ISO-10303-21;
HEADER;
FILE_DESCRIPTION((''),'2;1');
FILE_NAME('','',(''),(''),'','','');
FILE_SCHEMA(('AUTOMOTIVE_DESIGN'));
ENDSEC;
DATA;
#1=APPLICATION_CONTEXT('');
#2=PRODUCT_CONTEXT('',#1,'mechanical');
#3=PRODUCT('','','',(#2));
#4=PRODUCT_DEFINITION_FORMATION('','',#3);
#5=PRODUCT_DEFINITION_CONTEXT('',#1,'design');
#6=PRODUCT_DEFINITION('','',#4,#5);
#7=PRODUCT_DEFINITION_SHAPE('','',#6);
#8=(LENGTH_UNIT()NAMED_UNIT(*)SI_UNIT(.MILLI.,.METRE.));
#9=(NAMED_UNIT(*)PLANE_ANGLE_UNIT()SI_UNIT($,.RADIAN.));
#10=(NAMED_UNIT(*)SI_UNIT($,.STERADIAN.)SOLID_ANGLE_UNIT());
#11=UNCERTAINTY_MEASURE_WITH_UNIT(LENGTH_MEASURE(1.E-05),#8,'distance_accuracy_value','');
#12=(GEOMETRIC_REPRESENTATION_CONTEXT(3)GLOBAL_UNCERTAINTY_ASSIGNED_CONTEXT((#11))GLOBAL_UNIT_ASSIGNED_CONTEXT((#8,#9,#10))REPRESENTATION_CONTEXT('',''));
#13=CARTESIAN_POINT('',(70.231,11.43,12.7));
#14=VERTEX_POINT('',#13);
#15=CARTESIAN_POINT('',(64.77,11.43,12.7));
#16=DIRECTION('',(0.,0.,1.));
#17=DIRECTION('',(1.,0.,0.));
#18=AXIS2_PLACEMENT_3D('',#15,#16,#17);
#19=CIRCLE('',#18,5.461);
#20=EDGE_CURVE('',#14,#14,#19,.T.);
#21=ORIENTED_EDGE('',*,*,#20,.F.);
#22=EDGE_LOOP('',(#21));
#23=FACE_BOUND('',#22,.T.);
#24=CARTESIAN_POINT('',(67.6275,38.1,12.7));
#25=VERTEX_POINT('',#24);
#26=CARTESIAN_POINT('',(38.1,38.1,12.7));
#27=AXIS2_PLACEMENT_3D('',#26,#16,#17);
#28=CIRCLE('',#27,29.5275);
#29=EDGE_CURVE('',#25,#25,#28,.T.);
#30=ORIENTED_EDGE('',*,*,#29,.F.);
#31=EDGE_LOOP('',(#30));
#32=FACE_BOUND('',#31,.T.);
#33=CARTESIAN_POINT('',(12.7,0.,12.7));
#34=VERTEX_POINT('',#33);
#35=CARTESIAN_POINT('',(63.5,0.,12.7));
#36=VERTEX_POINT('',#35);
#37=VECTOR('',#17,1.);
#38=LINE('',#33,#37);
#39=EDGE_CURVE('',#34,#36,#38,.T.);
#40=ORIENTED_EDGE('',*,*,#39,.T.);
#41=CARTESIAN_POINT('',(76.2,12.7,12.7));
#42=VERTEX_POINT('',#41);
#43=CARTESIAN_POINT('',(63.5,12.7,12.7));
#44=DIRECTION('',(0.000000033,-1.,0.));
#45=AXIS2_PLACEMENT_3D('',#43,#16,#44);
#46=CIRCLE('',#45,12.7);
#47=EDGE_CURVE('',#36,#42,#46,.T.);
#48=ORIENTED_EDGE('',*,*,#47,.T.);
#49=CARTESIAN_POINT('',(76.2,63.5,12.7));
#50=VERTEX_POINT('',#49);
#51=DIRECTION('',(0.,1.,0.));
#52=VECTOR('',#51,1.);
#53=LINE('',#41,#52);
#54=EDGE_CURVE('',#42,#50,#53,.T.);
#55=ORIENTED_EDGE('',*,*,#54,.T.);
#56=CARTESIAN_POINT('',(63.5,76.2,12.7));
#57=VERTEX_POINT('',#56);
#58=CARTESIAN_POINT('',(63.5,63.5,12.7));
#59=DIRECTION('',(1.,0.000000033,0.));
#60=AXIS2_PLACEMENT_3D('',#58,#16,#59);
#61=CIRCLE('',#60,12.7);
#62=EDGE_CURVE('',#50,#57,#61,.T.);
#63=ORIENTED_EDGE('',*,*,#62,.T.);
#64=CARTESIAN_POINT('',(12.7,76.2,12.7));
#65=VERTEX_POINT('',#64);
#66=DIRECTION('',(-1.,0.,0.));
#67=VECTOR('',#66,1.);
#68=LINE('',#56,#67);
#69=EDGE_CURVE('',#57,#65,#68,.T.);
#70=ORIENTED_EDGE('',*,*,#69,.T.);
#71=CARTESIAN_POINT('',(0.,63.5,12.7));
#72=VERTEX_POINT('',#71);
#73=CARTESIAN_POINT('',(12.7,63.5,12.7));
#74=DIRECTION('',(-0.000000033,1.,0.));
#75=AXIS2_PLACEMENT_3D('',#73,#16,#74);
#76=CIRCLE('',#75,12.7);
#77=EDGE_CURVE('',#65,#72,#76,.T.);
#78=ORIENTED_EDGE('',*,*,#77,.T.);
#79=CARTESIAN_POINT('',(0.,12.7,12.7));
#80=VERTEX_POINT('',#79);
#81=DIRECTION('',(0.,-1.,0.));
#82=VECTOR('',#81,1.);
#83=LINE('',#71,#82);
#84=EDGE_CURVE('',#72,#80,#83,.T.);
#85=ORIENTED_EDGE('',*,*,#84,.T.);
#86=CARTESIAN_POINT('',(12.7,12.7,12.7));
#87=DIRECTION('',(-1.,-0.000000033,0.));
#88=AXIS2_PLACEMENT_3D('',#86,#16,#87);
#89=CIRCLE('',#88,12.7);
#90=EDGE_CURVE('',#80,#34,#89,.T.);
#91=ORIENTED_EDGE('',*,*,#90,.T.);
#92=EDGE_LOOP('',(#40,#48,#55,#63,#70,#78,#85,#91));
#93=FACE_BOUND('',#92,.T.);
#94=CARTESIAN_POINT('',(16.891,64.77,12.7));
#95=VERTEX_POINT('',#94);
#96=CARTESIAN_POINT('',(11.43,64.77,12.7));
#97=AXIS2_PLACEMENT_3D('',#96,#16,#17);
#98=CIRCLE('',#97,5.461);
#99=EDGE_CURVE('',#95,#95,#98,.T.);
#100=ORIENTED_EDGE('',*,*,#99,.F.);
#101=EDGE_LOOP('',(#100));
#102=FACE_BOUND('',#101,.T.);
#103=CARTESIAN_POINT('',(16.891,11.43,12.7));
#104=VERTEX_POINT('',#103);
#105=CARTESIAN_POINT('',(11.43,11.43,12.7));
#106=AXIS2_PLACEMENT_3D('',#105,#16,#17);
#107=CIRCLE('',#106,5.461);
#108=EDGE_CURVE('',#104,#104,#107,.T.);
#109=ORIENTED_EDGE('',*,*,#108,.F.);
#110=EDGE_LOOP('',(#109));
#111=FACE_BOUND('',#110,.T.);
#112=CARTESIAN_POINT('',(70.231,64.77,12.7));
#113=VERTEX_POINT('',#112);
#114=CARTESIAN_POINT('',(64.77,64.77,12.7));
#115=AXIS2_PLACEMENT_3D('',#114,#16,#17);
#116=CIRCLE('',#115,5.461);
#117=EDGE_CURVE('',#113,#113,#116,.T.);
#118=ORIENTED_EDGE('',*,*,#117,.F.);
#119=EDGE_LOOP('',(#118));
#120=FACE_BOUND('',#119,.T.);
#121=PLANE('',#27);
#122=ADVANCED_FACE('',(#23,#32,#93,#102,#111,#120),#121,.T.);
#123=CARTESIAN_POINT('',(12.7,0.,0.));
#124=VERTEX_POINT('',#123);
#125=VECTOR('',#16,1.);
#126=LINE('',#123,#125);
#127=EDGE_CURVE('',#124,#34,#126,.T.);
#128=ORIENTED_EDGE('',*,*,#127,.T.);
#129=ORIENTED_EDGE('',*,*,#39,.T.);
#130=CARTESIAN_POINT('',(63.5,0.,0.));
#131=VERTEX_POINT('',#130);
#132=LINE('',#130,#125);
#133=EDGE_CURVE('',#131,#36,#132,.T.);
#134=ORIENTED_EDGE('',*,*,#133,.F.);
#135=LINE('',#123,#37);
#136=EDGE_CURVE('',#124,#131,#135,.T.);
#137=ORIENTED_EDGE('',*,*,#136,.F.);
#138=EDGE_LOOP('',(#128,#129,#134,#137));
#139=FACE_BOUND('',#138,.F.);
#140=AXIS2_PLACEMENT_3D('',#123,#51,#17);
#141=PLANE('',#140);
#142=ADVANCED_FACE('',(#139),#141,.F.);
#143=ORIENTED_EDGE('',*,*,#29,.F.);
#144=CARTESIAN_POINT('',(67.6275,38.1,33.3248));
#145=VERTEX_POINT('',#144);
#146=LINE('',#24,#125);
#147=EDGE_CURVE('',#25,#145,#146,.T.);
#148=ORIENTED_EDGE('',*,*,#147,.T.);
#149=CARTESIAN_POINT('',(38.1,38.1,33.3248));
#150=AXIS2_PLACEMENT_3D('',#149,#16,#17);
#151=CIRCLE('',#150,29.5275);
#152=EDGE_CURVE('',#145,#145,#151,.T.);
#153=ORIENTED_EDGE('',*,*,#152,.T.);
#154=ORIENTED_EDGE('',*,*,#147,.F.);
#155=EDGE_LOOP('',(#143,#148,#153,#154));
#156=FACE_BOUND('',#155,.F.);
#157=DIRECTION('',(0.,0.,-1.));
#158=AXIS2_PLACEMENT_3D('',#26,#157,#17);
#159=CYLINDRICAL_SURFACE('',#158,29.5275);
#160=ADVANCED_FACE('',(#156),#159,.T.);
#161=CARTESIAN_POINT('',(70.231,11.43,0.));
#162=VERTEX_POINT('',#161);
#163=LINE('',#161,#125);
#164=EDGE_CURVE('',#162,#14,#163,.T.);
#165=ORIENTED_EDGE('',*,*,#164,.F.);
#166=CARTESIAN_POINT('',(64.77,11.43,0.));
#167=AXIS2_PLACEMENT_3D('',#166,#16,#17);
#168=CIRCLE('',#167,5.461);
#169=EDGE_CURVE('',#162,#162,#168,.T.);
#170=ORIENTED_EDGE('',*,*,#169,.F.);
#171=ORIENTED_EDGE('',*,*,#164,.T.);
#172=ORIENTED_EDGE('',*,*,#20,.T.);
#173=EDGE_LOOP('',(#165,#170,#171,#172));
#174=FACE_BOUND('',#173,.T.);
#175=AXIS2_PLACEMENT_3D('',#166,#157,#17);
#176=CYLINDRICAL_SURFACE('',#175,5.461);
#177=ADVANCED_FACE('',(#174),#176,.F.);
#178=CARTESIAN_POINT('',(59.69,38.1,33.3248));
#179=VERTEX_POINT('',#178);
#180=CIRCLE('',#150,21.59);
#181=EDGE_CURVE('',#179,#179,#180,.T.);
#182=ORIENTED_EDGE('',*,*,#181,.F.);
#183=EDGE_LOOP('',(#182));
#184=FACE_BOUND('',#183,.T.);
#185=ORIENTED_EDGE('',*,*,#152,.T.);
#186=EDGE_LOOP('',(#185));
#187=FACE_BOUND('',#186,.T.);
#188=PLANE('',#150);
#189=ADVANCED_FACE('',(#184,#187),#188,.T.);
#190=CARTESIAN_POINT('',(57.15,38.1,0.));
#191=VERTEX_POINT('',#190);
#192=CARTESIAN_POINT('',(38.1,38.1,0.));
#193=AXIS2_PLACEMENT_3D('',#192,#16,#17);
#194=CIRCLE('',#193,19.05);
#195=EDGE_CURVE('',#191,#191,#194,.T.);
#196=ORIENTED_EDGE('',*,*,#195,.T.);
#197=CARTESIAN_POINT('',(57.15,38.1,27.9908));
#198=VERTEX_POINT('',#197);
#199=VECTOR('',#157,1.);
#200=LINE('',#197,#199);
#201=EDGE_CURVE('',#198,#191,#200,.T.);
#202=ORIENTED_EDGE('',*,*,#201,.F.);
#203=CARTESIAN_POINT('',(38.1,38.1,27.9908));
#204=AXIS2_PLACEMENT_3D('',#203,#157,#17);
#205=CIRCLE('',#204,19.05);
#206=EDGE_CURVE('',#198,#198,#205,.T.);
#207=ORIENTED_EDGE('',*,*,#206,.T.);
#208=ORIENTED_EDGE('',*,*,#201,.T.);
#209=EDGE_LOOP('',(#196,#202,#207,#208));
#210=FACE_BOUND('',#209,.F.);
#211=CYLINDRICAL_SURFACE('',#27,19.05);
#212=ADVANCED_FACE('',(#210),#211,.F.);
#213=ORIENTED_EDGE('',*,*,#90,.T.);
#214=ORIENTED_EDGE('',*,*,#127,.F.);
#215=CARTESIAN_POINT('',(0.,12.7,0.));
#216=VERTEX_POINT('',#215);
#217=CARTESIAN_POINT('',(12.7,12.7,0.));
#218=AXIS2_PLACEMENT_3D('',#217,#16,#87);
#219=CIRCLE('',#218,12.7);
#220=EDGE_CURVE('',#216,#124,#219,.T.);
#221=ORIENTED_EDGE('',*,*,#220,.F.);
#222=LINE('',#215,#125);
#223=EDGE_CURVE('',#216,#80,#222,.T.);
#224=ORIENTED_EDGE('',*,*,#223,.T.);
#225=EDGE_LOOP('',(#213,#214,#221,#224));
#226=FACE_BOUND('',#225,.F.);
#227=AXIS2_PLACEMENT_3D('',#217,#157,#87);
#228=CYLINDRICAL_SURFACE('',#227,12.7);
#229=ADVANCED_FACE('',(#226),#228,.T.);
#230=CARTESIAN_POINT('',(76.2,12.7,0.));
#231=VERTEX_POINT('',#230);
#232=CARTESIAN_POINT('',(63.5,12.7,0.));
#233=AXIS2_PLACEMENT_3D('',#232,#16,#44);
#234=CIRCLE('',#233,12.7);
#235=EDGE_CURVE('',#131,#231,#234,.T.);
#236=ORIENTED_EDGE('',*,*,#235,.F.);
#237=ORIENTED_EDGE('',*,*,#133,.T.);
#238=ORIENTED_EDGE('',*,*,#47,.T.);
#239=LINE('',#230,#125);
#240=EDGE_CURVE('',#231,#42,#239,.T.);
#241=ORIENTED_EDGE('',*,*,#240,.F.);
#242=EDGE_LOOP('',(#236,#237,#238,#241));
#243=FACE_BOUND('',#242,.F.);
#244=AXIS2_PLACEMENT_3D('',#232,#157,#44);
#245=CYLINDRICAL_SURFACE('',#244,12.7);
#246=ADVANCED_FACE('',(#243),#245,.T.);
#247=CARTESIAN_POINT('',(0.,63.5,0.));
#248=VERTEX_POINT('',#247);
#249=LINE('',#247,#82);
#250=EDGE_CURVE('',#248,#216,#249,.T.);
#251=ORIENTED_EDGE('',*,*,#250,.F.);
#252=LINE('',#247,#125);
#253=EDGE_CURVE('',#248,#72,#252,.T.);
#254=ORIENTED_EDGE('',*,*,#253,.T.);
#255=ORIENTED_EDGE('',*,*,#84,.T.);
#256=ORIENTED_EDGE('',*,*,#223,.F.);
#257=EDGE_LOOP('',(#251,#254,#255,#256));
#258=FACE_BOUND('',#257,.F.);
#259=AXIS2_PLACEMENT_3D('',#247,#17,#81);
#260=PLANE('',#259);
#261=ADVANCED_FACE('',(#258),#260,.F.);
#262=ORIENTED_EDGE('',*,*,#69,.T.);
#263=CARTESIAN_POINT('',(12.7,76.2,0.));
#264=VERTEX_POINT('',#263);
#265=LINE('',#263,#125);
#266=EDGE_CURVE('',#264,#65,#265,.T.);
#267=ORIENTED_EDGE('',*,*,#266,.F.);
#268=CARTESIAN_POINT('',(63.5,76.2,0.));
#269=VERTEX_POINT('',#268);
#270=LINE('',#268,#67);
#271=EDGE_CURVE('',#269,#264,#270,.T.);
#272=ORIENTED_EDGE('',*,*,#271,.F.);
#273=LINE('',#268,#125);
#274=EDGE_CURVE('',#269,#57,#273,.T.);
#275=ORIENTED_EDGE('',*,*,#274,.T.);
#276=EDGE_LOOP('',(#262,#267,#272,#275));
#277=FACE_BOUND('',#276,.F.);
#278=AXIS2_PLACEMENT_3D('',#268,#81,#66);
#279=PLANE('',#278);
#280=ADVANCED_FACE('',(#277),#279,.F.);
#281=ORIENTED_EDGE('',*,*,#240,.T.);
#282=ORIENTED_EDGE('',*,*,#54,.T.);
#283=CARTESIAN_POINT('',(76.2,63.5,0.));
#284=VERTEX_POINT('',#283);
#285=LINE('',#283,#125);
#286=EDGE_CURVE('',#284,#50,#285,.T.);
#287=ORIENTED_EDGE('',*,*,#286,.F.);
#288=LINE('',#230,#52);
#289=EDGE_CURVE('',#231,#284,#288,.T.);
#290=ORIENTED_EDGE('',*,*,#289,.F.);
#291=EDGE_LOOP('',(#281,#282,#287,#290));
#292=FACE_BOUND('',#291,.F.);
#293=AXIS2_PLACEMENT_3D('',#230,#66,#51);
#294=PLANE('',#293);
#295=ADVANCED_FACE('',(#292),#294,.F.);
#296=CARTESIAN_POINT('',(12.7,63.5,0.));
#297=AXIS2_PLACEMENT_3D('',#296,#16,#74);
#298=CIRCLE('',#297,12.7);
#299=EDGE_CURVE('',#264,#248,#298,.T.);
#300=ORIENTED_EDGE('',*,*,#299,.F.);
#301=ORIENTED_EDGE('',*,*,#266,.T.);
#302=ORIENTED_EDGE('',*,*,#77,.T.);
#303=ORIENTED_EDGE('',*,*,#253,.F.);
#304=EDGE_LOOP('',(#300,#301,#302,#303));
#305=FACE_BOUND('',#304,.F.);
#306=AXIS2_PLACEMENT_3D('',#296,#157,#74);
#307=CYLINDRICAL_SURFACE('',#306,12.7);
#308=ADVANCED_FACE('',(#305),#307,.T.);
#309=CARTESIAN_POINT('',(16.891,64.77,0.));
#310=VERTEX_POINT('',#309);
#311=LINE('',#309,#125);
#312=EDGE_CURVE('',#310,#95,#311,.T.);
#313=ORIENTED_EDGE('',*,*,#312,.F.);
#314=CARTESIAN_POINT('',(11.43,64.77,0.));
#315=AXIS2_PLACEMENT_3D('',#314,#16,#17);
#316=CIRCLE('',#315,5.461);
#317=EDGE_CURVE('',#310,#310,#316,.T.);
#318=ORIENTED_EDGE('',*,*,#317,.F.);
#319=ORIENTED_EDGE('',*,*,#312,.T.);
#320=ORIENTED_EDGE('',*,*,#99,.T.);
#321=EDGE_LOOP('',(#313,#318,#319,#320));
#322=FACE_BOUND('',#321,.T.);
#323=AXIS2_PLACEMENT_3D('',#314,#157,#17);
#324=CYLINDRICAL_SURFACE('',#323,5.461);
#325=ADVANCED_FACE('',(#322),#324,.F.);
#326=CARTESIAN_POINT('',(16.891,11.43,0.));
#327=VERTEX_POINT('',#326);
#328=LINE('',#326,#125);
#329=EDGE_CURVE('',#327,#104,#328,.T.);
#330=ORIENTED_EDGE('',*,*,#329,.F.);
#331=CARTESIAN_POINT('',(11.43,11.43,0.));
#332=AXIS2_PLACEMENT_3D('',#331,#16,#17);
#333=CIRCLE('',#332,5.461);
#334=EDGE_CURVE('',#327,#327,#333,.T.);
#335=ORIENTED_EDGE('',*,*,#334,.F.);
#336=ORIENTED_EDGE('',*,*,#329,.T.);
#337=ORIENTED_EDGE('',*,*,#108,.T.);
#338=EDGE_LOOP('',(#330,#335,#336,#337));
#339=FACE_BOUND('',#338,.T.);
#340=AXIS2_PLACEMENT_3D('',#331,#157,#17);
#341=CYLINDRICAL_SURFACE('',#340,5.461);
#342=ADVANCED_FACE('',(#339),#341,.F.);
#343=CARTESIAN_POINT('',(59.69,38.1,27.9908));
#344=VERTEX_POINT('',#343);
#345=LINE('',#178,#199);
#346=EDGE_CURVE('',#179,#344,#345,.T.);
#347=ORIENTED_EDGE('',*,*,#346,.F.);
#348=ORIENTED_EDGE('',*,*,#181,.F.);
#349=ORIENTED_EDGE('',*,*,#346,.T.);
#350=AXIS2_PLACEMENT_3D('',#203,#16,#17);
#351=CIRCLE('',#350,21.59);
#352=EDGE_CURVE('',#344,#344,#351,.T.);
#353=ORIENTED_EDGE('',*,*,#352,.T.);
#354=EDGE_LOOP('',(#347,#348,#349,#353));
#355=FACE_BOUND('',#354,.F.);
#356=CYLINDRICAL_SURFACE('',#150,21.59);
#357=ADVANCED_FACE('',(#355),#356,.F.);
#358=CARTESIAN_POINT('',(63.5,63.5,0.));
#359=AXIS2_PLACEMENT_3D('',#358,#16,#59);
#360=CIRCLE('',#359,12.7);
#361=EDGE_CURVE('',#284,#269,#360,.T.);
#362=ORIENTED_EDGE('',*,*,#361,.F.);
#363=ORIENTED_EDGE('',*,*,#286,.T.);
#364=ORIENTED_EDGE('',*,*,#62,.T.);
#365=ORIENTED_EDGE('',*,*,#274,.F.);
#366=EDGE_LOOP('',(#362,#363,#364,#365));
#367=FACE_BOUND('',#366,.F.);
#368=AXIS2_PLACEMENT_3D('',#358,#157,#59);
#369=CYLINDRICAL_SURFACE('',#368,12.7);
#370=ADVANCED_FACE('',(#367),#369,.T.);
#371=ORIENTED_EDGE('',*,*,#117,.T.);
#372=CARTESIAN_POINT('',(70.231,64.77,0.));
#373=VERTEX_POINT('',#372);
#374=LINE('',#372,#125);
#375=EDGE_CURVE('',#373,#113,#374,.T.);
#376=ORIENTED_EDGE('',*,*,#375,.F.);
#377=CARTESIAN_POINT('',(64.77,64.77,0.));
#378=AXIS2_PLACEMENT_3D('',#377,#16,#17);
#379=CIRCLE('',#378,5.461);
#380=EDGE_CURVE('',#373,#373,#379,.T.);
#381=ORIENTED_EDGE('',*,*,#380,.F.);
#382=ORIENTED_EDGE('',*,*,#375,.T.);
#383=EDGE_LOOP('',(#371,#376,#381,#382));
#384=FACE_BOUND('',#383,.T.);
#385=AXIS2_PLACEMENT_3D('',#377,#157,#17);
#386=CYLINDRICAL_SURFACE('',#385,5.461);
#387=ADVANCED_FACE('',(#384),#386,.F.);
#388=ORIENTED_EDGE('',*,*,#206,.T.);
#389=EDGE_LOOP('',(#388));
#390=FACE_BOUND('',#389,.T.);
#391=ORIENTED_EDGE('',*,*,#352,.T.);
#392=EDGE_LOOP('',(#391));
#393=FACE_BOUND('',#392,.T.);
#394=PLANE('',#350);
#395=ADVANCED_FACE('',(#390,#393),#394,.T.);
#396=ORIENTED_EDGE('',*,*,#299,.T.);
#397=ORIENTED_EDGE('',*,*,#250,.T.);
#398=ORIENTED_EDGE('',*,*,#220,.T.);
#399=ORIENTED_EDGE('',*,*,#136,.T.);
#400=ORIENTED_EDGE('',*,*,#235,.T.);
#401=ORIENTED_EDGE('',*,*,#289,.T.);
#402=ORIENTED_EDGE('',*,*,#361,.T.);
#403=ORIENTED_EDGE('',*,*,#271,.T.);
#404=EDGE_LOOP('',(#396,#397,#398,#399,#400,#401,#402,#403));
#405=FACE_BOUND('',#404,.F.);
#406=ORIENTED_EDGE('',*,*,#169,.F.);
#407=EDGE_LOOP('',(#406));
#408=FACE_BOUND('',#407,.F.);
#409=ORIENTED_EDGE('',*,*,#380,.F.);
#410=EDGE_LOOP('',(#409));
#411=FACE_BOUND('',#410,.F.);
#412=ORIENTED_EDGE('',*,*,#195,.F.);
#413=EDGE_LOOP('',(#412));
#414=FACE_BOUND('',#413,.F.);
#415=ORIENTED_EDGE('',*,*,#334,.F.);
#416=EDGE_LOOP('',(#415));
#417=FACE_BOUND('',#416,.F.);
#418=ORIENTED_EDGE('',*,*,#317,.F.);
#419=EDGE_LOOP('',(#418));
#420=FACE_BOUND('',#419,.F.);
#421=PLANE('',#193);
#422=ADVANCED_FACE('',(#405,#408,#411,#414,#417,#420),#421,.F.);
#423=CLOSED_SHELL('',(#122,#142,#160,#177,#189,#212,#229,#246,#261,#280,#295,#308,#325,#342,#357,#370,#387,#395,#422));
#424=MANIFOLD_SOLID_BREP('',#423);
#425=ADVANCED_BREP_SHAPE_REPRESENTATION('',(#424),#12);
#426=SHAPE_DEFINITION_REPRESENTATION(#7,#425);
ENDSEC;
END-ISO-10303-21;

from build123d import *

# Parameters (mm, degrees)
F0_R     = 5.461
F1_DEPTH = 12.7
F2_R     = 29.5275
F2_R_2   = 19.05
F3_DEPTH = 20.6248
F4_R     = 21.59
F5_DEPTH = 5.334
F6_R     = 19.05
F7_DEPTH = 25.4


with BuildPart() as f1:
    # F0 (on Top) → F1 (new body)
    with BuildSketch(Plane.XY):
        with BuildLine():
            ThreePointArc((0, 12.7), (3.719744, 3.719744), (12.7, 0))
            Line((12.7, 0), (63.5, 0))
            ThreePointArc((63.5, 0), (72.480256, 3.719744), (76.2, 12.7))
            Line((76.2, 12.7), (76.2, 63.5))
            ThreePointArc((76.2, 63.5), (72.480256, 72.480256), (63.5, 76.2))
            Line((63.5, 76.2), (12.7, 76.2))
            ThreePointArc((12.7, 76.2), (3.719744, 72.480256), (0, 63.5))
            Line((0, 63.5), (0, 12.7))
        make_face()
        with Locations((11.43, 11.43)):
            Circle(F0_R, mode=Mode.SUBTRACT)
        with Locations((64.77, 11.43)):
            Circle(F0_R, mode=Mode.SUBTRACT)
        with Locations((11.43, 64.77)):
            Circle(F0_R, mode=Mode.SUBTRACT)
        with Locations((64.77, 64.77)):
            Circle(F0_R, mode=Mode.SUBTRACT)
    extrude(amount=F1_DEPTH)

    # F2 (on face) → F3 (join)
    with BuildSketch(Plane.XY.offset(12.7)):
        with Locations((38.1, 38.1)):
            Circle(F2_R)
        with Locations((38.1, 38.1)):
            Circle(F2_R_2, mode=Mode.SUBTRACT)
    extrude(amount=F3_DEPTH)

    # F4 (on face) → F5 (cut)
    with BuildSketch(Plane.XY.offset(33.3248)):
        with Locations((38.1, 38.1)):
            Circle(F4_R)
    extrude(amount=-F5_DEPTH, mode=Mode.SUBTRACT)

    # F6 (on face) → F7 (cut)
    with BuildSketch(Plane.XY.offset(12.7)):
        with Locations((38.1, 38.1)):
            Circle(F6_R)
    extrude(amount=-F7_DEPTH, mode=Mode.SUBTRACT)


solid = f1.part
